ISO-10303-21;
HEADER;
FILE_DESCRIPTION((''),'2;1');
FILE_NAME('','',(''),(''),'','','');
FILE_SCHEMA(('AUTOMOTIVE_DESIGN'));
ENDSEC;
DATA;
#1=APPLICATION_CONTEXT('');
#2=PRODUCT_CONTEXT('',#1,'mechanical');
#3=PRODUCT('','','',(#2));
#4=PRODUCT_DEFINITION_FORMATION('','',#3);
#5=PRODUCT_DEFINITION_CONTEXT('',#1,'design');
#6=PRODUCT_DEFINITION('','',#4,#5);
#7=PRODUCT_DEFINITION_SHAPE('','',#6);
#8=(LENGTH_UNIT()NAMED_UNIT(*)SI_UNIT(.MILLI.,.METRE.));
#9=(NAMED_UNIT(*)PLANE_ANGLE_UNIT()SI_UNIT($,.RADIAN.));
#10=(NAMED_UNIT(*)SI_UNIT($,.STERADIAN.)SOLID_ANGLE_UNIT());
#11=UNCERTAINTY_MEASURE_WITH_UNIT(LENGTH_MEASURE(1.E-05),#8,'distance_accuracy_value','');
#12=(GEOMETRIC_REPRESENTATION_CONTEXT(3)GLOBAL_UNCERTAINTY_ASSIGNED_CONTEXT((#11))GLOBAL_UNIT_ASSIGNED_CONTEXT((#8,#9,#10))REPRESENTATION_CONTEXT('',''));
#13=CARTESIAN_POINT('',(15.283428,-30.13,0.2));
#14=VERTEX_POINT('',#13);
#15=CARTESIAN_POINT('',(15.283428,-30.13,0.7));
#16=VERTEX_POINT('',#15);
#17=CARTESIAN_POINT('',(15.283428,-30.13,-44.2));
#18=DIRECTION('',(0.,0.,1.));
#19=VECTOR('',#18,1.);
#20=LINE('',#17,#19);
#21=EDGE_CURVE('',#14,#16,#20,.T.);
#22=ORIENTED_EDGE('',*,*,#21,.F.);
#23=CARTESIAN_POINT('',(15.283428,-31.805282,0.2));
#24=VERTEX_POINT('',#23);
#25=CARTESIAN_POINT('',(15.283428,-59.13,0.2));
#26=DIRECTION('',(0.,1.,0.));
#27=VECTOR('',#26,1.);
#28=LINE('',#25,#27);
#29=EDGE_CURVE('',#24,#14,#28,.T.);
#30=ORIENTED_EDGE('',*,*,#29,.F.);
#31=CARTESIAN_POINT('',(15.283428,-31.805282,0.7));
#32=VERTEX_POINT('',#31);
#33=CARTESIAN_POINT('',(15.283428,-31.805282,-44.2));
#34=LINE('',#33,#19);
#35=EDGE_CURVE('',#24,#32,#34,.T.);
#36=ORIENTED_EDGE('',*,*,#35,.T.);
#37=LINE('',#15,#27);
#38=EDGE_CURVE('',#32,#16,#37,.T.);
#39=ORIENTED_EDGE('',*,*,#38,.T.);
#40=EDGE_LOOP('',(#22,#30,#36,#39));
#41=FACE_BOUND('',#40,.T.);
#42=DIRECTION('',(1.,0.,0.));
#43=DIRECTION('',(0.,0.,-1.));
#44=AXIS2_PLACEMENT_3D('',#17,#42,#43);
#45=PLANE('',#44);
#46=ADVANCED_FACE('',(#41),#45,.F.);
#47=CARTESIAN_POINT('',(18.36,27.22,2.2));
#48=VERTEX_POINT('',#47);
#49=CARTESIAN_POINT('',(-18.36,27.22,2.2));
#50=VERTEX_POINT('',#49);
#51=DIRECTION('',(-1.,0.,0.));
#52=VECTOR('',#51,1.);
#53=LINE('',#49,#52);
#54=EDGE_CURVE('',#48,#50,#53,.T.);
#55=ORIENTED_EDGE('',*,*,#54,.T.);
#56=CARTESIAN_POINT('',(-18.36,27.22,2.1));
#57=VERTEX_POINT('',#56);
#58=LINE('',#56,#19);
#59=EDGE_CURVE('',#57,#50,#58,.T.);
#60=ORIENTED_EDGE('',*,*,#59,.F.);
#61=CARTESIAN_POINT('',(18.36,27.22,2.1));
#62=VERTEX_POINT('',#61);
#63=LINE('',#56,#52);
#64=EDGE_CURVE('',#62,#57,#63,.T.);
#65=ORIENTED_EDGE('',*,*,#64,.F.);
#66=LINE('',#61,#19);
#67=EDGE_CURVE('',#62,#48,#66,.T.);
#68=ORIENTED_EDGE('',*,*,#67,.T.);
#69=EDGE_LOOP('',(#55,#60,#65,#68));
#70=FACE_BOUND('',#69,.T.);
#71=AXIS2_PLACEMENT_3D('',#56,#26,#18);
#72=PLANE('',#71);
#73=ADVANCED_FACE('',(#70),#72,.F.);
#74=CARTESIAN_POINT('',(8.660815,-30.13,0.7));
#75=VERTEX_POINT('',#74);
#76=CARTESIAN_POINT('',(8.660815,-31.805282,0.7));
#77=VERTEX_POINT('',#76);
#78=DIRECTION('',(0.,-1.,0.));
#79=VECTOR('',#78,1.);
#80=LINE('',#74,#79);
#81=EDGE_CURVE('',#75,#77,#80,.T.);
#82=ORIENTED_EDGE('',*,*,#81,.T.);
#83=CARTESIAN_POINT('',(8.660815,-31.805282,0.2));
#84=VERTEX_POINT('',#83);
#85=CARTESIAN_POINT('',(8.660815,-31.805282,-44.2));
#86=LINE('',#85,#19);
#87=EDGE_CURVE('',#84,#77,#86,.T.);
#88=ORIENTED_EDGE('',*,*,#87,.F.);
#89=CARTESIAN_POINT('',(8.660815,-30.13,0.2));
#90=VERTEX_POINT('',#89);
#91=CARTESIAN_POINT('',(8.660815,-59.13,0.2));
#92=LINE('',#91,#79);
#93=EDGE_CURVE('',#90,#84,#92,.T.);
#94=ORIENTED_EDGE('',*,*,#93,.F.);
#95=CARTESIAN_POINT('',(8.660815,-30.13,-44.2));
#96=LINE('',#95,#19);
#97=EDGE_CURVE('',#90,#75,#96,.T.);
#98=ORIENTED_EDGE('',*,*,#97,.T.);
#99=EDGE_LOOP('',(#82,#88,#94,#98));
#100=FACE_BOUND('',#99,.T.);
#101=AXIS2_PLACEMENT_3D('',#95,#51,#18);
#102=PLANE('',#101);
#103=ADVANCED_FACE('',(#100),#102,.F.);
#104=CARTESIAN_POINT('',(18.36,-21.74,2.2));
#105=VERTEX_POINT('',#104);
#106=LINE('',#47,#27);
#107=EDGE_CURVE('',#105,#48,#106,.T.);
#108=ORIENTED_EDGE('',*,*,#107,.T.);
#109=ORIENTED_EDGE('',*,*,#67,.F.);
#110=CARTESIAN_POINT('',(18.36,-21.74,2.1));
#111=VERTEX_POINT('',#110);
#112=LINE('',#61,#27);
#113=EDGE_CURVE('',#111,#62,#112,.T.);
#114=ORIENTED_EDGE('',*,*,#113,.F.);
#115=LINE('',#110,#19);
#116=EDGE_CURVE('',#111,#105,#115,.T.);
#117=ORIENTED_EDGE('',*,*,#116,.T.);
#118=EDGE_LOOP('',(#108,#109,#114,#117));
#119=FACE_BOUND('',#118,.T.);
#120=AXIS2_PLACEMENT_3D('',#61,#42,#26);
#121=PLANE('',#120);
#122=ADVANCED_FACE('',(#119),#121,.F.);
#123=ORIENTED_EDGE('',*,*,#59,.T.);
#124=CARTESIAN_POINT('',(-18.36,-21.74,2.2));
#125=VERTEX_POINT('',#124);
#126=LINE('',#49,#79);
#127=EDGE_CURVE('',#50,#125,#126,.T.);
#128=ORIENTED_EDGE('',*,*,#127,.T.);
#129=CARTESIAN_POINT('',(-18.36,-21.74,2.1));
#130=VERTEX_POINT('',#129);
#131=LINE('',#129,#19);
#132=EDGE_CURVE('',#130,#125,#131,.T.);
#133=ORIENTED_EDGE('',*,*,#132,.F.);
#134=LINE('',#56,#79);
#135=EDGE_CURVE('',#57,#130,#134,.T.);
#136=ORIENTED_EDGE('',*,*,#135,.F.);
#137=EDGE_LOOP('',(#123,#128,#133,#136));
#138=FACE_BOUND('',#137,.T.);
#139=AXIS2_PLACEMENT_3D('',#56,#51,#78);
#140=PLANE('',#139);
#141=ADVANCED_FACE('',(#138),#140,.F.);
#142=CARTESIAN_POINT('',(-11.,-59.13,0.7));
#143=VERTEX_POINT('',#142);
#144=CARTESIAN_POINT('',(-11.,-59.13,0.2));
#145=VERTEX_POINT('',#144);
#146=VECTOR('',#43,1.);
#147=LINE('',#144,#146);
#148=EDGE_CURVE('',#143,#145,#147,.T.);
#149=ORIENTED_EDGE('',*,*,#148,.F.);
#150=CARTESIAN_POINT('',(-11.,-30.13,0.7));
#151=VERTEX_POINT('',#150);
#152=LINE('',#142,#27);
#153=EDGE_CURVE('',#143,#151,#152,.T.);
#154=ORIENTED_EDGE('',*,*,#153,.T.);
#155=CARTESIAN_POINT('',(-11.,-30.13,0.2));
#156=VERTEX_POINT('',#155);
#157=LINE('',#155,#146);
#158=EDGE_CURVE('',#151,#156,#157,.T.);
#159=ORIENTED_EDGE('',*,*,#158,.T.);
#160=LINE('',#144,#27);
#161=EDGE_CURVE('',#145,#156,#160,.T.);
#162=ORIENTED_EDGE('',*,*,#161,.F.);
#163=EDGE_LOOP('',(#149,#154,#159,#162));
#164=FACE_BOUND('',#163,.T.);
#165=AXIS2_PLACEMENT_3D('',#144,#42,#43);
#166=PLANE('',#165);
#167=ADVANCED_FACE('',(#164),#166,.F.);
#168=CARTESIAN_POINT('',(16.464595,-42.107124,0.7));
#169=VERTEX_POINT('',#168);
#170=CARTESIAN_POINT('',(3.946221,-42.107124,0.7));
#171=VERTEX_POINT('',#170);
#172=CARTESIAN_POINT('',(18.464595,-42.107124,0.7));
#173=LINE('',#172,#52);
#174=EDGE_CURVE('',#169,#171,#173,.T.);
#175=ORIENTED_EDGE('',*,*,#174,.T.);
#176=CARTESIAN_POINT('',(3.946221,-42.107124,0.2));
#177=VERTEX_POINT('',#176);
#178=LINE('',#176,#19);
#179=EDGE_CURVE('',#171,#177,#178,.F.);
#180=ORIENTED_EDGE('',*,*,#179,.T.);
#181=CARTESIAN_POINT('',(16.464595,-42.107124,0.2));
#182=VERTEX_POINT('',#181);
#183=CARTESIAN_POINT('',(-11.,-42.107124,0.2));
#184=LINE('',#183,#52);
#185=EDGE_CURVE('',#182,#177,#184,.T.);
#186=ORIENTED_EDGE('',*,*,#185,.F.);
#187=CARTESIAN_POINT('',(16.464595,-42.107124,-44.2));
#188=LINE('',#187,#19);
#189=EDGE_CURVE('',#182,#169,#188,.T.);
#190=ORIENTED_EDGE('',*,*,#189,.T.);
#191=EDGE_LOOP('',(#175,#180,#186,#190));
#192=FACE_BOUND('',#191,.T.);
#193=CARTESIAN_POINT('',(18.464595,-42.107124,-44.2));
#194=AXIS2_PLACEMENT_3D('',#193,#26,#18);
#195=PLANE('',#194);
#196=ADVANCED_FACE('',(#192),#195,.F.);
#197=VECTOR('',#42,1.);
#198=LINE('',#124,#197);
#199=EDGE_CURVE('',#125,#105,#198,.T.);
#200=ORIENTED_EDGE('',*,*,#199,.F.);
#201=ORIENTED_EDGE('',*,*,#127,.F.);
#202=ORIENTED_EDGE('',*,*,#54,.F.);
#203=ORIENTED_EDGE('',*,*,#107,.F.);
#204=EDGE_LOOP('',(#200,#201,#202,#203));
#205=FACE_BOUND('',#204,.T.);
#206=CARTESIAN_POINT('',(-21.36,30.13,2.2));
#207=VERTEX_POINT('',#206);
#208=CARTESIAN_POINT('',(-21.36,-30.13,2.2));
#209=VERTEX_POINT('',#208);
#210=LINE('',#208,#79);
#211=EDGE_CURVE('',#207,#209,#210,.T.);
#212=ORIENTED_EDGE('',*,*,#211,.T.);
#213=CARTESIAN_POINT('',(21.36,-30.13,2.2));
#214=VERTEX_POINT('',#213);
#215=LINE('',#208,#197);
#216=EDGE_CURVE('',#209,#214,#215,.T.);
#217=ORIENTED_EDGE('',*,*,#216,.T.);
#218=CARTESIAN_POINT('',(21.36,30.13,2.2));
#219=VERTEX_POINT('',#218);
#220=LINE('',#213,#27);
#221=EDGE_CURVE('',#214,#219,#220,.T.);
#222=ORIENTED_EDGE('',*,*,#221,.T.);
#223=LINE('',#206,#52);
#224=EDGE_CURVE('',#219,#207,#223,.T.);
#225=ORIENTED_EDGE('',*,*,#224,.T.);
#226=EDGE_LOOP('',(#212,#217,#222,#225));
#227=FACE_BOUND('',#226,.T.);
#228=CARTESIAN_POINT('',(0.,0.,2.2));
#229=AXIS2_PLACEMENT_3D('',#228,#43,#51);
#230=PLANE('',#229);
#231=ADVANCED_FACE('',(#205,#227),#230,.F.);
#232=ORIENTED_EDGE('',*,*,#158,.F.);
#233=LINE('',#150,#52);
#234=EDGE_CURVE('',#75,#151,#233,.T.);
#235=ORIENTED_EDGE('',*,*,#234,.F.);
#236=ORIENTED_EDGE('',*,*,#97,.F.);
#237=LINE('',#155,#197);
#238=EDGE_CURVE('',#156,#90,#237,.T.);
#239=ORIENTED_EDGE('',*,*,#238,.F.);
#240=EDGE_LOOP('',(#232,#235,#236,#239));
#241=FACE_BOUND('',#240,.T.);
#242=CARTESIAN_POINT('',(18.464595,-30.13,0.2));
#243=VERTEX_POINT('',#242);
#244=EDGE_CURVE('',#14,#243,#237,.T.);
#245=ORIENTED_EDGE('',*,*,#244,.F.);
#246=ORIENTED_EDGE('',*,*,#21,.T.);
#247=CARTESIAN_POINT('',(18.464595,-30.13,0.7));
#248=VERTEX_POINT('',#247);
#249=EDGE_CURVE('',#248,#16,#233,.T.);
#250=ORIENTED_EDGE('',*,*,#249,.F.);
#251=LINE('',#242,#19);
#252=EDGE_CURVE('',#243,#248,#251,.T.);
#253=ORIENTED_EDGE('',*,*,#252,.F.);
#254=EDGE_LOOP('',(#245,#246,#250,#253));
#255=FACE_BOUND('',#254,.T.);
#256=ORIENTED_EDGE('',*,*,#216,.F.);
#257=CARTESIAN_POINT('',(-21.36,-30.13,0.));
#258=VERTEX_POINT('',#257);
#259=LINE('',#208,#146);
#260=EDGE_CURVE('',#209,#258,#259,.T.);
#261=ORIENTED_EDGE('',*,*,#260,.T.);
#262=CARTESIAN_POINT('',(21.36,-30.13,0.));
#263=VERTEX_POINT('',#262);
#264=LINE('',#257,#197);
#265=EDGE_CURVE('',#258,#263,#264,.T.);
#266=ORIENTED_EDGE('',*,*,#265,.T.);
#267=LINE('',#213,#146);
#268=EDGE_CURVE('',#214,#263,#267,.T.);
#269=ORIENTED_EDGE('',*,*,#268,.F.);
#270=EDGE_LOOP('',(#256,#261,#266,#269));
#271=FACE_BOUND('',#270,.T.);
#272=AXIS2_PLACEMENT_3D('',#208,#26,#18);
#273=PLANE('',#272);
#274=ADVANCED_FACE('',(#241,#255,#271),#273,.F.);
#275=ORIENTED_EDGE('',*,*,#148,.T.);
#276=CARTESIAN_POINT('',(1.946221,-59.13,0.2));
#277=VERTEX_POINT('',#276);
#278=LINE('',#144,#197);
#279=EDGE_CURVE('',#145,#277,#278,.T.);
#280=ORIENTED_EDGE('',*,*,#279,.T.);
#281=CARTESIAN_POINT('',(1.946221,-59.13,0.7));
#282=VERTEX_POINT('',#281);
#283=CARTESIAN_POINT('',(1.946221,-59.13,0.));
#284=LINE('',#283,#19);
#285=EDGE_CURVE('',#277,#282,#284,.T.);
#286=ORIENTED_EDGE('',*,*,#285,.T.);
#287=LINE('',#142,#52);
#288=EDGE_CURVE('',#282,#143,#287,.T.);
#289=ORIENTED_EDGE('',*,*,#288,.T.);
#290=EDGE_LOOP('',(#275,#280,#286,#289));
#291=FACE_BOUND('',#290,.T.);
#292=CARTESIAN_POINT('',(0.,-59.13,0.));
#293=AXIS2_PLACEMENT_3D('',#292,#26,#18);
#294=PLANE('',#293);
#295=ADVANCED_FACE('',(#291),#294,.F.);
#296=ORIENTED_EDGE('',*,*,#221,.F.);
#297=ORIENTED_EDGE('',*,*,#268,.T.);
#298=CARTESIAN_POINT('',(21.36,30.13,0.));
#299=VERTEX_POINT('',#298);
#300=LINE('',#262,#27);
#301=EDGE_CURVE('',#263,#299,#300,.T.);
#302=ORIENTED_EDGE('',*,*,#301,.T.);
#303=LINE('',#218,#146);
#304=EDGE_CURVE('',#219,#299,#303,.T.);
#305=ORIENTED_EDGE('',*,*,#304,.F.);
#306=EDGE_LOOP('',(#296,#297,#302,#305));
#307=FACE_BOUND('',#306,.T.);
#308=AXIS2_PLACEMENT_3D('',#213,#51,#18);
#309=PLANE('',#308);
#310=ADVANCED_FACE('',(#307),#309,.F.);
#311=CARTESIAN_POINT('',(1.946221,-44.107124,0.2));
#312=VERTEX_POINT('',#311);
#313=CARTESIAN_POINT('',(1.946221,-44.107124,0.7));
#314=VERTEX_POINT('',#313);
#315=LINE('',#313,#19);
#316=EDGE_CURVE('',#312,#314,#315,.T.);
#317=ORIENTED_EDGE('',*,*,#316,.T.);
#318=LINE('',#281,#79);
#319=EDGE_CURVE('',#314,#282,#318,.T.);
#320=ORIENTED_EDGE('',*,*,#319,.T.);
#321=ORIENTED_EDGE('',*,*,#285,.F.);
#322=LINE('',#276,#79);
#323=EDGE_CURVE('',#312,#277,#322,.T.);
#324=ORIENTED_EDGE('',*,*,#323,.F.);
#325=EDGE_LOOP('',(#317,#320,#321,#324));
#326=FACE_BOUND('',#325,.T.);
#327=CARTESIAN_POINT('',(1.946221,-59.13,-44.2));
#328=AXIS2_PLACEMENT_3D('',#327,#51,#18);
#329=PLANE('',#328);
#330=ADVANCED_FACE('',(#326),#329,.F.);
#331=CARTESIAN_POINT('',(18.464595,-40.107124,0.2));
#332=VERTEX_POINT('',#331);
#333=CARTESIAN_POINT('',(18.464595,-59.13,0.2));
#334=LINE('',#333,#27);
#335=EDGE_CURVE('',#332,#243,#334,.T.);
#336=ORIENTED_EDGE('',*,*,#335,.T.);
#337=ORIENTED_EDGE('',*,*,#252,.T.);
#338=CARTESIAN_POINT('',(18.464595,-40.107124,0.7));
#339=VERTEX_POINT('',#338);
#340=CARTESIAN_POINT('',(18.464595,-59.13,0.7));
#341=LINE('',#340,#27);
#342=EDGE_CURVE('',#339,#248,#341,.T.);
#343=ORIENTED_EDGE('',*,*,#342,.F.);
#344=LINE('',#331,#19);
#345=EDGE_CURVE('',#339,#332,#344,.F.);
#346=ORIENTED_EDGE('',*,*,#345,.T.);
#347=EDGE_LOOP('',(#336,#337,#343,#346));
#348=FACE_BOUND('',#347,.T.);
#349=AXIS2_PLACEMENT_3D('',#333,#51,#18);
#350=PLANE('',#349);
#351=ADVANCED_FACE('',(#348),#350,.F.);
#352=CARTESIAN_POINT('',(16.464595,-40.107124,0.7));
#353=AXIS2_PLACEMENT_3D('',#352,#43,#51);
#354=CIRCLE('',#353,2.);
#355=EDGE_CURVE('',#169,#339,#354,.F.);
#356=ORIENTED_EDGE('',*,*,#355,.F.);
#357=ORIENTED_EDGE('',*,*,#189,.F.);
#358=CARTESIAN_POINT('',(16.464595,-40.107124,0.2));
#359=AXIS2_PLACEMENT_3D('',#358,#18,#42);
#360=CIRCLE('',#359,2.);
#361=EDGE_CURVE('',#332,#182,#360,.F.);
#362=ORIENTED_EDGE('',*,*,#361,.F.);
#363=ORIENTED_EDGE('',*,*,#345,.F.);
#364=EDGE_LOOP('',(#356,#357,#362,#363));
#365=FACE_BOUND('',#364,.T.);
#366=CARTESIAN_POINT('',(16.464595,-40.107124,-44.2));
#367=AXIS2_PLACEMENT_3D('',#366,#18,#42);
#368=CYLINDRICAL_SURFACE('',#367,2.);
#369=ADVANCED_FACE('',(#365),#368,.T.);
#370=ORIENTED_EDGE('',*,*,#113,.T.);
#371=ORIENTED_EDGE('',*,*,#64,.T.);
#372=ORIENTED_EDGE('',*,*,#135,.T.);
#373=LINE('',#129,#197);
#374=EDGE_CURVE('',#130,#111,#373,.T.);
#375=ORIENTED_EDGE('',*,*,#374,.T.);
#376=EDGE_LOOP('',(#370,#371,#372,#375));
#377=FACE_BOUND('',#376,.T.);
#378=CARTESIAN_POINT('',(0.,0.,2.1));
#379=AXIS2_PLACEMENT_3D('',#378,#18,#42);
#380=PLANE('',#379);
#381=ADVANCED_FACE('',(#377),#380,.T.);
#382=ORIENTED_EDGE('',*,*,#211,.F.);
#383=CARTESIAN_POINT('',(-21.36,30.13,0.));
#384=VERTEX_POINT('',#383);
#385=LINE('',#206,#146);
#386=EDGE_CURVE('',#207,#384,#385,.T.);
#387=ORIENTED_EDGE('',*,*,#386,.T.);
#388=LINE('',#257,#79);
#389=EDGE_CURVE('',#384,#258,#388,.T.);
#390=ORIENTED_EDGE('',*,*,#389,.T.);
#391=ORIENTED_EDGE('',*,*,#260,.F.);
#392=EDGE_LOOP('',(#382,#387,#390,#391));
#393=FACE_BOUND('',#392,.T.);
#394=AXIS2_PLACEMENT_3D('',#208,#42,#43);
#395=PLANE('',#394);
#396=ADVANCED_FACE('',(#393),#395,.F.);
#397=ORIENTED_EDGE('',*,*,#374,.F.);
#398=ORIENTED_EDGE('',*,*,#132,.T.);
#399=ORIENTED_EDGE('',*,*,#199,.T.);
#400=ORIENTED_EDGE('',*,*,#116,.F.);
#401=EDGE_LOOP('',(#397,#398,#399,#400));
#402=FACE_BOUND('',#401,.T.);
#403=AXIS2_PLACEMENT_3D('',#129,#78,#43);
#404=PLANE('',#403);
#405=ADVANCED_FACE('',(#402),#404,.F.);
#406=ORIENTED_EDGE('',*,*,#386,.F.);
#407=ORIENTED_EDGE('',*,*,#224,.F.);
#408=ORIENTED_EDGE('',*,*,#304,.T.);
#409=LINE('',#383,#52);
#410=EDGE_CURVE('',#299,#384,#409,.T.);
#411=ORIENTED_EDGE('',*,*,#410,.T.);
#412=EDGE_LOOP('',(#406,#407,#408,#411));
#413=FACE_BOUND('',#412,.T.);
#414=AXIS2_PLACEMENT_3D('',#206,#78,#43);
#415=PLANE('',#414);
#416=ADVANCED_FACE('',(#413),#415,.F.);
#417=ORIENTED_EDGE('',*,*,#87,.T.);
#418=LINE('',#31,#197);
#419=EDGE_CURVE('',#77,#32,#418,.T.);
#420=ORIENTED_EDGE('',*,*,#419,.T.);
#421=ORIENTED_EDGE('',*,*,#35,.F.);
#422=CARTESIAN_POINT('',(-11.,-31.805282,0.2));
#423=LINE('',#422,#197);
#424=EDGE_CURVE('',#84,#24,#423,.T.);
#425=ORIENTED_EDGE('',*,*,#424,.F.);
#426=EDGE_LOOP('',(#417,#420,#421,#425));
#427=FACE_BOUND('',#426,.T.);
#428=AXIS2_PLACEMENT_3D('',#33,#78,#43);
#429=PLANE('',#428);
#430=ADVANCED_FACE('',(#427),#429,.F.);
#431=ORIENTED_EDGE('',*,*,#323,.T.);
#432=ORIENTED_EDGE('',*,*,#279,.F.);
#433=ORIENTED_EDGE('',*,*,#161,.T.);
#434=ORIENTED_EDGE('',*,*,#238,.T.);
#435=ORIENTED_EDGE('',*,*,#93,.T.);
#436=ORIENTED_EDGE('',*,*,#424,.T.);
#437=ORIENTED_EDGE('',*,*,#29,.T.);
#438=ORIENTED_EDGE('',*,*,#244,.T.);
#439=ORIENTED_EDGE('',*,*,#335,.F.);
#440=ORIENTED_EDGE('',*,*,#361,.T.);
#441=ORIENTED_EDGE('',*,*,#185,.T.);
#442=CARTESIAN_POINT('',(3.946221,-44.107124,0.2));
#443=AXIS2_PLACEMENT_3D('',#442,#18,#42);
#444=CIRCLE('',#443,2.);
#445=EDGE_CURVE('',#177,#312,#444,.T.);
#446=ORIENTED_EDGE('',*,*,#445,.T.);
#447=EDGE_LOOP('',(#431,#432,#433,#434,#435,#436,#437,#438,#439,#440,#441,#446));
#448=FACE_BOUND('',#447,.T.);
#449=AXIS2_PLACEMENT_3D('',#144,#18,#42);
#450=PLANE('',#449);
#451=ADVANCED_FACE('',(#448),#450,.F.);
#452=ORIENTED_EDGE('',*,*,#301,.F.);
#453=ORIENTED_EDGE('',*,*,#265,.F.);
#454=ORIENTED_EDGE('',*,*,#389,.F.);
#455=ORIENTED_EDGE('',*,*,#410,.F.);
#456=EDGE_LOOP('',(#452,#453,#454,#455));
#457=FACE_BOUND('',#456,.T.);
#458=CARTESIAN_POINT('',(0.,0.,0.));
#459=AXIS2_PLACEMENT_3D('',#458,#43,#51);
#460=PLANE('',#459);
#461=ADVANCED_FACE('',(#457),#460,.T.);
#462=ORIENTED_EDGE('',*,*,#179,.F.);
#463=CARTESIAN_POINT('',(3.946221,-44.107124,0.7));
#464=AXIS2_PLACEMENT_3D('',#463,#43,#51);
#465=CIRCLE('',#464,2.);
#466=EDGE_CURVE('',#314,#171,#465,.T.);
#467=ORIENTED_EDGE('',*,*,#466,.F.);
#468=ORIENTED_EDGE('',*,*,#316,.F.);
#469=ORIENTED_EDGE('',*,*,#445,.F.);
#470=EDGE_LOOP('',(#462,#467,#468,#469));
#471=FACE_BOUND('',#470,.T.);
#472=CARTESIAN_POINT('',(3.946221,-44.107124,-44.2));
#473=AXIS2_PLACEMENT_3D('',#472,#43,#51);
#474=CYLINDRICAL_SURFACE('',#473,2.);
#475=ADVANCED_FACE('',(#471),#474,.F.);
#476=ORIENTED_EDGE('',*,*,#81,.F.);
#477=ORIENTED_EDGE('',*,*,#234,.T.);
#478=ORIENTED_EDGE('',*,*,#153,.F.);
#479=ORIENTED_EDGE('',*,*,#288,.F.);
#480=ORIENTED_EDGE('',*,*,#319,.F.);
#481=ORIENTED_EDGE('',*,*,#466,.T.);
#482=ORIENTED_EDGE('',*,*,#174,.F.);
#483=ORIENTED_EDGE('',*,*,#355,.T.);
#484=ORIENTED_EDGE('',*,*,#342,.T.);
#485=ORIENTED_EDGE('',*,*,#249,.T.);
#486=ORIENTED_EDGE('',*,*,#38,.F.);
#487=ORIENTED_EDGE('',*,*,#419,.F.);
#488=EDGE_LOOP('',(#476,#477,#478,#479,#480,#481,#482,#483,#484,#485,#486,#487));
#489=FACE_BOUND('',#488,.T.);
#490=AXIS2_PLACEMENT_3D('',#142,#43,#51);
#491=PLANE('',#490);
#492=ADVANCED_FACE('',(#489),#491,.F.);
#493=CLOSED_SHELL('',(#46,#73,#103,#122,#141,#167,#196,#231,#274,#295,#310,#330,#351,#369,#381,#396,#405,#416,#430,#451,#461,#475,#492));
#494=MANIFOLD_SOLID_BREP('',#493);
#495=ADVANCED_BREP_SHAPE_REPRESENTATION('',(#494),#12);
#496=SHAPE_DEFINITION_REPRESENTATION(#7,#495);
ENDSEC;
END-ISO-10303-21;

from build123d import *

# Parameters (mm, degrees)
SKETCH_1_W          = 42.72
SKETCH_1_H          = 60.26
EXTRUDE_1_DEPTH     = 2.2
SKETCH_2_W          = 36.72
SKETCH_2_H          = 48.96
CUT_EXTRUDE_1_DEPTH = 0.1
SKETCH_3_W          = 29.464595321
SKETCH_3_H          = 0.5
EXTRUDE_1004_DEPTH  = 29
SKETCH_4_W          = 16.518374104
SKETCH_4_H          = 17.022875601
SKETCH_4_W_2        = 6.622613049
SKETCH_4_H_2        = 1.675281879
CUT_EXTRUDE_2_DEPTH = 44.9
FILLET_1_R          = 2


with BuildPart() as part:
    # Sketch 1 → Extrude 1 (new body)
    with BuildSketch(Plane.XY):
        Rectangle(SKETCH_1_W, SKETCH_1_H)
    extrude(amount=EXTRUDE_1_DEPTH)

    # Sketch 2 → Cut-Extrude 1 (cut)
    with BuildSketch(Plane.XY.offset(2.2)):
        with Locations((0, 2.74)):
            Rectangle(SKETCH_2_W, SKETCH_2_H)
    extrude(amount=-CUT_EXTRUDE_1_DEPTH, mode=Mode.SUBTRACT)

    # Sketch 3 → Extrude 1004 (add)
    with BuildSketch(Plane.XZ.offset(30.13)):
        with Locations((3.732297661, 0.45)):
            Rectangle(SKETCH_3_W, SKETCH_3_H)
    extrude(amount=EXTRUDE_1004_DEPTH)

    # Sketch 4 → Cut-Extrude 2 (cut)
    with BuildSketch(Plane.XY.offset(0.7)):
        with Locations((10.205408269, -50.6185622)):
            Rectangle(SKETCH_4_W, SKETCH_4_H)
        with Locations((11.972121528, -30.96764094)):
            Rectangle(SKETCH_4_W_2, SKETCH_4_H_2)
    extrude(amount=-CUT_EXTRUDE_2_DEPTH, mode=Mode.SUBTRACT)

    # Fillet 1
    fillet_1_edges = [part.edges().sort_by_distance(p)[0] for p in [
        (1.946221217, -42.107124399, 0.45),
        (18.464595321, -42.107124399, 0.45),
    ]]
    fillet(fillet_1_edges, radius=FILLET_1_R)


solid = part.part
